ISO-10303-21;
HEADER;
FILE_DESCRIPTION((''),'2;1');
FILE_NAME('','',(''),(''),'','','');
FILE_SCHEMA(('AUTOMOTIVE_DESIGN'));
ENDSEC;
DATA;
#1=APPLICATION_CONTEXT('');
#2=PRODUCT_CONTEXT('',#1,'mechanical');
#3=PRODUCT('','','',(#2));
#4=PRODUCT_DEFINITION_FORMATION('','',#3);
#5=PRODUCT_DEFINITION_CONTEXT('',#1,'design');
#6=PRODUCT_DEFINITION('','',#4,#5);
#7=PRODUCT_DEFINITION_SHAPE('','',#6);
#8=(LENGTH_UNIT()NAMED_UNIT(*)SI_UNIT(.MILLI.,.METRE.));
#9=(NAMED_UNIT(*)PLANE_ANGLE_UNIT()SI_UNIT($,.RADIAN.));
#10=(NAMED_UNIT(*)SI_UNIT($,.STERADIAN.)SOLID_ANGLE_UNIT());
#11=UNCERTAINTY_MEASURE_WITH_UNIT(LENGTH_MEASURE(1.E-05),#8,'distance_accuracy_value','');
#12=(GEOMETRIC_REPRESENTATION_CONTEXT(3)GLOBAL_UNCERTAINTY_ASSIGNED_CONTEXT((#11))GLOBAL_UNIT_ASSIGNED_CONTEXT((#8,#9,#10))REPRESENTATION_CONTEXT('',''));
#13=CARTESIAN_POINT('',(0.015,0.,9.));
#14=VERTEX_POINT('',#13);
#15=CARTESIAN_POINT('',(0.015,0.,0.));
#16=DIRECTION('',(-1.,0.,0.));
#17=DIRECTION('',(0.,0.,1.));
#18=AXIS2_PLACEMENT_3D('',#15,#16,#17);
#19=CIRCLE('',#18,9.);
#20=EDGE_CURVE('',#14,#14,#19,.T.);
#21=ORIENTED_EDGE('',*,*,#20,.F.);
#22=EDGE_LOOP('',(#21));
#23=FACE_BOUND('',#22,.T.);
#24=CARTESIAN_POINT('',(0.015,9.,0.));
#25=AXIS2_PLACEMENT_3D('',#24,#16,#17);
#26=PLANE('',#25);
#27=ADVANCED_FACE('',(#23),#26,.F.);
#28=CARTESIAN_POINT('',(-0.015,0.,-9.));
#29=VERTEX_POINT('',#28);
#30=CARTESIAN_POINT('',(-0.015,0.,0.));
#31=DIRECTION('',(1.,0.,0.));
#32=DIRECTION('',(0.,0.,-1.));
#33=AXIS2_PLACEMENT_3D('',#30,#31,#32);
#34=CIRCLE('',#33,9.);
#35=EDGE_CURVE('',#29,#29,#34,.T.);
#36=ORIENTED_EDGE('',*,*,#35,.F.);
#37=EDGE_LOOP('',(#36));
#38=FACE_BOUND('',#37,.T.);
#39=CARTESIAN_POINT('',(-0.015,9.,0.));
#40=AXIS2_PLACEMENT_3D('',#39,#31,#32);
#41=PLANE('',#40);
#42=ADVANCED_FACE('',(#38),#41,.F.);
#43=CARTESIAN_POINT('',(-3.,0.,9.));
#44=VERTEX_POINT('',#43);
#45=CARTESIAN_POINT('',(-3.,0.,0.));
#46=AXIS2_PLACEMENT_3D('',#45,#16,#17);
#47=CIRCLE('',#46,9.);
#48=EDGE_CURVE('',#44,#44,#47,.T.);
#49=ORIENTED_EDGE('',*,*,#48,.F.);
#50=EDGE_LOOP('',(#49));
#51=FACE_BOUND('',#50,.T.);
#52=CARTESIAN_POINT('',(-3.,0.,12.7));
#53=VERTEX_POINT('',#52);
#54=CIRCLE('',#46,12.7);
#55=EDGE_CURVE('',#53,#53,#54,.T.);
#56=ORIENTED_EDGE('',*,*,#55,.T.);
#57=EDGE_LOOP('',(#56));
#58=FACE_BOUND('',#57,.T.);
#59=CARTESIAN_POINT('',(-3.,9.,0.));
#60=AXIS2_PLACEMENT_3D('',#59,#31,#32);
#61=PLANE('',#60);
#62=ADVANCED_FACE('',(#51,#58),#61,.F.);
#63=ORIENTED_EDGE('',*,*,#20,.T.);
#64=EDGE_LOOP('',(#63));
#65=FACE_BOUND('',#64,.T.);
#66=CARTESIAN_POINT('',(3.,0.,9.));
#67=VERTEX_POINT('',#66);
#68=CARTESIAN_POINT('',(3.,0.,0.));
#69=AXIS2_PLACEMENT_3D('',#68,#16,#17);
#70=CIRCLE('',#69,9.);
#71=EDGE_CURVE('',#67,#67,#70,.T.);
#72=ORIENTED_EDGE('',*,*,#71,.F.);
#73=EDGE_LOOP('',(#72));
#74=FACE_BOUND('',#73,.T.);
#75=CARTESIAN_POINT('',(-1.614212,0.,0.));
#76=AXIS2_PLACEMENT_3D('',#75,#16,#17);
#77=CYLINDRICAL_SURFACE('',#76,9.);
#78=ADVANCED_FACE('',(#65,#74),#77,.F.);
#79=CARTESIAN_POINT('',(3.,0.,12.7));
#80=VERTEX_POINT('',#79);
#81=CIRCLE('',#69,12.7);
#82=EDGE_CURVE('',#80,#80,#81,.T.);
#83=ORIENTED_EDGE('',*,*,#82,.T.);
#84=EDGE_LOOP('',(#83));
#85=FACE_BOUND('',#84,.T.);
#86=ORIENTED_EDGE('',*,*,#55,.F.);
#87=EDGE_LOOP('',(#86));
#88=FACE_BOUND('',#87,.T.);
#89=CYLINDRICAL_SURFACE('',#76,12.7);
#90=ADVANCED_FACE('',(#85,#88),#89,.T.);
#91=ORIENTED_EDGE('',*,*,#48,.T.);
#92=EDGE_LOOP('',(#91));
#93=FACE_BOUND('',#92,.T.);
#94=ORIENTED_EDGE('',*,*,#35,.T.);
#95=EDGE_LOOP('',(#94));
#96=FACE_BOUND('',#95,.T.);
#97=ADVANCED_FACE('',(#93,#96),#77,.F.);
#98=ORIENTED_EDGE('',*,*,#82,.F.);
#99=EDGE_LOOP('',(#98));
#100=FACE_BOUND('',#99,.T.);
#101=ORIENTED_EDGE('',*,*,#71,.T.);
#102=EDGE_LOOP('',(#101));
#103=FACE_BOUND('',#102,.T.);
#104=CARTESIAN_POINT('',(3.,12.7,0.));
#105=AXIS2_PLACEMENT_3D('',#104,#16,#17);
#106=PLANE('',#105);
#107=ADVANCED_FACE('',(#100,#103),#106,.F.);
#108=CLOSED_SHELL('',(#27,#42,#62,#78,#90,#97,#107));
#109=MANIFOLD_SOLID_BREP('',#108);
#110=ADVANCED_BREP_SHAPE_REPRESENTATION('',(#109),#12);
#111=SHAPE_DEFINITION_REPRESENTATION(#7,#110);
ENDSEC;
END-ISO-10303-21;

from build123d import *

# Parameters (mm, degrees)
SKETCH_1_W = 0.03
SKETCH_1_H = 9
SKETCH_4_W = 6
SKETCH_4_H = 3.7


with BuildPart() as part:
    # 草图1 → 旋转2 (revolve)
    with BuildSketch(Plane.XY, mode=Mode.PRIVATE) as revolve_2_sk:
        with Locations((0, 4.5)):
            Rectangle(SKETCH_1_W, SKETCH_1_H)
    revolve(revolve_2_sk.sketch.rotate(Axis((-0.015, 0, 0), (1, 0, 0)), 90), axis=Axis((-0.015, 0, 0), (1, 0, 0)))  # turned: the seam where the file's is

    # 草图4 → 旋转3 (revolve)
    with BuildSketch(Plane.XY, mode=Mode.PRIVATE) as revolve_3_sk:
        with Locations((0, 10.85)):
            Rectangle(SKETCH_4_W, SKETCH_4_H)
    revolve(revolve_3_sk.sketch.rotate(Axis((-1.614212419, 0, 0), (1, 0, 0)), 90), axis=Axis((-1.614212419, 0, 0), (1, 0, 0)))  # turned: the seam where the file's is


solid = part.part
